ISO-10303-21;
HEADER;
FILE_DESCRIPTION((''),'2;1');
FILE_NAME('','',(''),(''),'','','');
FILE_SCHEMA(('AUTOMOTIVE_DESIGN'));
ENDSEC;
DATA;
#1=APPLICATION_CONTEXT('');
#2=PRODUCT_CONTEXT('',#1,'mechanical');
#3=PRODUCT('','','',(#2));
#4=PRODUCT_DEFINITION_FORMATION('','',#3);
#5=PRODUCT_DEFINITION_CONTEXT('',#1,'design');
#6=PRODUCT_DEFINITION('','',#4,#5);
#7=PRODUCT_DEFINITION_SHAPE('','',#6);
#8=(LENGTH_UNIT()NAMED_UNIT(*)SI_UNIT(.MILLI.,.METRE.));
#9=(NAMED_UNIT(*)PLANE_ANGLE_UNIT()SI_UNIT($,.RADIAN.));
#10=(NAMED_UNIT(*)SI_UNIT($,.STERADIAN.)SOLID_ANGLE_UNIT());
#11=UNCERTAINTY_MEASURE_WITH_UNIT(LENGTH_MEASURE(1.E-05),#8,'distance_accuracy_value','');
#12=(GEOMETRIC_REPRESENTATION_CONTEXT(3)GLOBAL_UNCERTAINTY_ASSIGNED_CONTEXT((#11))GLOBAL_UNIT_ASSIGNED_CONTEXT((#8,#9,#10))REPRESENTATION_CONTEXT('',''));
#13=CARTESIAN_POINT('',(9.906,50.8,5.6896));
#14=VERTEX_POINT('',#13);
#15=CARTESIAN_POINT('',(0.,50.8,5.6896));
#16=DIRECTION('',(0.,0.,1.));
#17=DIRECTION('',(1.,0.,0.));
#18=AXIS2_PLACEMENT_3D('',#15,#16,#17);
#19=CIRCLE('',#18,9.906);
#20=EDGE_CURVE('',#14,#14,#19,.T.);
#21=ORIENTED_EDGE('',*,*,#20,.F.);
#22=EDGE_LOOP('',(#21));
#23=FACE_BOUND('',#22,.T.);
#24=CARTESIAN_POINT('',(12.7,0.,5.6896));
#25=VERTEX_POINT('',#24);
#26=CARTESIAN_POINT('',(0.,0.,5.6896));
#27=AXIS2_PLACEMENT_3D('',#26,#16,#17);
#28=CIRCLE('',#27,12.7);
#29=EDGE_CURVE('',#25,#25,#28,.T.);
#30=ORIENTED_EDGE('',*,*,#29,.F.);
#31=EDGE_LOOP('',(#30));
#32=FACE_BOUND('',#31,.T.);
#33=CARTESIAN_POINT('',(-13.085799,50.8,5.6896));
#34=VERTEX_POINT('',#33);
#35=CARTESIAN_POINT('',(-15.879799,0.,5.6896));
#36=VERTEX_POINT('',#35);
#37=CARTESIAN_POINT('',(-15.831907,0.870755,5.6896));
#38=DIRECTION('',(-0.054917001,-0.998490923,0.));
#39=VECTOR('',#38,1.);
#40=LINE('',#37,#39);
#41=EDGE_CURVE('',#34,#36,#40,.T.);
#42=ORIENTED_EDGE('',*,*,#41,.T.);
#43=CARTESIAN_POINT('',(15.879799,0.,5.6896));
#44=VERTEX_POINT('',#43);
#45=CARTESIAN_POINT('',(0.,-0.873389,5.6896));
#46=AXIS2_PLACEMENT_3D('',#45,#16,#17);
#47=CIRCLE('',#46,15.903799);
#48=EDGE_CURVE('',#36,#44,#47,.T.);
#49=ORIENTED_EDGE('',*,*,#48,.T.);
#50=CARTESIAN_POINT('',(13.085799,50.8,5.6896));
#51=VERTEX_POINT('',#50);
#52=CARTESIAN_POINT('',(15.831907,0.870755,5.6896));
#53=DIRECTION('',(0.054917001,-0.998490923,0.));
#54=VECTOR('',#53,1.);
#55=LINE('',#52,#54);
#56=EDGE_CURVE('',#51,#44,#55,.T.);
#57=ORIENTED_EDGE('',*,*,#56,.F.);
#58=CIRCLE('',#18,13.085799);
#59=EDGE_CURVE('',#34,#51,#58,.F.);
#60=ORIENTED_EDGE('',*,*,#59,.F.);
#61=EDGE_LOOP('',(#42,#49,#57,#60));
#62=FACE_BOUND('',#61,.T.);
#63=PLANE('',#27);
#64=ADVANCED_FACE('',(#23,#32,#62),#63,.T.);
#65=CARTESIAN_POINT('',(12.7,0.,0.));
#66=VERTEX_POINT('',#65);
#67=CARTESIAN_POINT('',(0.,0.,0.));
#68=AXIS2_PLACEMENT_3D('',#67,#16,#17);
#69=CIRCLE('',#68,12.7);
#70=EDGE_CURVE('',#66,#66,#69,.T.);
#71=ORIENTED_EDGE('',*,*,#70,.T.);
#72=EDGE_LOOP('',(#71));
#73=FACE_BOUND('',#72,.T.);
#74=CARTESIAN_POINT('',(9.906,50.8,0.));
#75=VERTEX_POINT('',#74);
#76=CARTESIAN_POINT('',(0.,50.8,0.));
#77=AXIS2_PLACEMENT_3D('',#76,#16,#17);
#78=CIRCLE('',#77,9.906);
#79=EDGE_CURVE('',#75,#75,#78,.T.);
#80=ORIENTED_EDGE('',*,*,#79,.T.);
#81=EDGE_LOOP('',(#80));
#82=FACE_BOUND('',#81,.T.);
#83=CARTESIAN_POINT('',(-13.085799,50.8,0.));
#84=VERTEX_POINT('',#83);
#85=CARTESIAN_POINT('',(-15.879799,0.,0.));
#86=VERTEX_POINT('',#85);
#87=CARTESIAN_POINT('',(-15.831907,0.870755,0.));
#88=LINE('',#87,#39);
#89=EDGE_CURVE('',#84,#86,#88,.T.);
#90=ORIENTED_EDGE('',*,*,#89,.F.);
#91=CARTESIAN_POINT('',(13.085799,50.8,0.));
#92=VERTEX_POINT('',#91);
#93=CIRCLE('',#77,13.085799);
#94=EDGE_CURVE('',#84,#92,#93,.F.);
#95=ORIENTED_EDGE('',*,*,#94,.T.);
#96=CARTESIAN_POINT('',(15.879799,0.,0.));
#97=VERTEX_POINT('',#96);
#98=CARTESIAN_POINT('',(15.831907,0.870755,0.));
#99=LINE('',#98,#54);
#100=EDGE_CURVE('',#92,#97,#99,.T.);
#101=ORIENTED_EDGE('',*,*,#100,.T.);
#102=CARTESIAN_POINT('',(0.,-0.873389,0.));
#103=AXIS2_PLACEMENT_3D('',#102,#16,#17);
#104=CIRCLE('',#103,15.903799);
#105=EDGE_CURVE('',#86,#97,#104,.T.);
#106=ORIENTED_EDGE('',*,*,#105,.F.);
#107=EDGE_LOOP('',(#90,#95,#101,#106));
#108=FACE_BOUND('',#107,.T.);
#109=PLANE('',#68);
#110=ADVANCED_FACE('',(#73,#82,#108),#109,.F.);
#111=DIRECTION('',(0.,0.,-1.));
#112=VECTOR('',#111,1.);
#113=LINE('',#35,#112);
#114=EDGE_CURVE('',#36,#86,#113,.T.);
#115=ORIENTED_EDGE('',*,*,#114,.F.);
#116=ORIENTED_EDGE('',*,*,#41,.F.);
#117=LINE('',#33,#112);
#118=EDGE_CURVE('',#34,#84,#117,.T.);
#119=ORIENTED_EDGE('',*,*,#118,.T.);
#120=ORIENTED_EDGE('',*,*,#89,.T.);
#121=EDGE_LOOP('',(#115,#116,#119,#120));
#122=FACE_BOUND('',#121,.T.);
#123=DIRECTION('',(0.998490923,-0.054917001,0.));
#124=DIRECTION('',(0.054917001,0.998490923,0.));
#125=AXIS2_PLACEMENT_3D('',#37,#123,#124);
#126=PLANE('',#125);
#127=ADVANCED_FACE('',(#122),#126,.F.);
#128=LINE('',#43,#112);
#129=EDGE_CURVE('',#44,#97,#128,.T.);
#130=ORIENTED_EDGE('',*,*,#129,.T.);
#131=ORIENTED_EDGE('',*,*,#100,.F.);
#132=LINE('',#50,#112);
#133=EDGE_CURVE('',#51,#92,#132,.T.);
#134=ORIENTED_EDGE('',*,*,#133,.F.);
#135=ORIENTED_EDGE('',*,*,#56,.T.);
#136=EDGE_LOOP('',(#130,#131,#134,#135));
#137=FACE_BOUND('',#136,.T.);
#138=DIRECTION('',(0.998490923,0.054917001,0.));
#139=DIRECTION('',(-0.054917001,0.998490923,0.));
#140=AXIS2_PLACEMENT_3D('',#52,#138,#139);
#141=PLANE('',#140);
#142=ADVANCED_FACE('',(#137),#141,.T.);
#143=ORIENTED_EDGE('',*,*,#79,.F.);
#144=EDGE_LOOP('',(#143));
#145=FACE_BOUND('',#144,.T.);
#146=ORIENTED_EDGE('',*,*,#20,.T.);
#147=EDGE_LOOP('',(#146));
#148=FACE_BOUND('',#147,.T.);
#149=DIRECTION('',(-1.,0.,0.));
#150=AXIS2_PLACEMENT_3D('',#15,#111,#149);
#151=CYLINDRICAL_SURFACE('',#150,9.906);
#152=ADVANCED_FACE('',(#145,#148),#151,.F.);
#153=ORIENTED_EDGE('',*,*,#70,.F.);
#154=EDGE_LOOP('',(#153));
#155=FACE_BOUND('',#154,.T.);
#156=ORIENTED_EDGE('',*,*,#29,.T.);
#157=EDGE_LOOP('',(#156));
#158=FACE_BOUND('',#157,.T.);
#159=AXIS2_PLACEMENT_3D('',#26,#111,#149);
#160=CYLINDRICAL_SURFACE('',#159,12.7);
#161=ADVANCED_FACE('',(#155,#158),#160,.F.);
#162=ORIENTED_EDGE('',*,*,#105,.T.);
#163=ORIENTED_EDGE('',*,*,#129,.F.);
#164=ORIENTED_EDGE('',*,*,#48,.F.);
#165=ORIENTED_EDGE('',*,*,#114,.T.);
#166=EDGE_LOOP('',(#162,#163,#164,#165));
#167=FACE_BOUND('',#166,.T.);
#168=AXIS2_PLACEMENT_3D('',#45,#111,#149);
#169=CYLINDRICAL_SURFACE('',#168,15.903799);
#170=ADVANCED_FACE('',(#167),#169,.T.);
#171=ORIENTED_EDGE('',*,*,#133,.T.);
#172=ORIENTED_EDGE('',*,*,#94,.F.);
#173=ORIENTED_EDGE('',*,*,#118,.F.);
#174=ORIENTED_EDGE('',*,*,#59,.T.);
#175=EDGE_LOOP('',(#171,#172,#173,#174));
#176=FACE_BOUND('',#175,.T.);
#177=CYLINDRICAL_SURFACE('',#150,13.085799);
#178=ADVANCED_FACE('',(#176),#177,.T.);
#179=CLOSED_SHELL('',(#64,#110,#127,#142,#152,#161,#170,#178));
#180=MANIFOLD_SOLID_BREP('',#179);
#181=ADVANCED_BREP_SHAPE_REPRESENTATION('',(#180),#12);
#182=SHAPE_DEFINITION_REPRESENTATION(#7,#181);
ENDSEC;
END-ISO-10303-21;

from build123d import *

# Parameters (mm, degrees)
SKETCH1_R           = 9.906
SKETCH1_R_2         = 12.7
BOSS_EXTRUDE1_DEPTH = 5.6896


with BuildPart() as part:
    # Sketch1 → Boss-Extrude1 (new body)
    with BuildSketch(Plane.XY):
        with BuildLine():
            ThreePointArc((-13.085798561, 50.8), (0, 63.885798561), (13.085798561, 50.8))
            Line((13.085798561, 50.8), (15.879798561, 0))
            ThreePointArc((15.879798561, 0), (0, -16.777187541), (-15.879798561, 0))
            Line((-15.879798561, 0), (-13.085798561, 50.8))
        make_face()
        with Locations((0, 50.8)):
            Circle(SKETCH1_R, mode=Mode.SUBTRACT)
        Circle(SKETCH1_R_2, mode=Mode.SUBTRACT)
    extrude(amount=BOSS_EXTRUDE1_DEPTH)


solid = part.part
